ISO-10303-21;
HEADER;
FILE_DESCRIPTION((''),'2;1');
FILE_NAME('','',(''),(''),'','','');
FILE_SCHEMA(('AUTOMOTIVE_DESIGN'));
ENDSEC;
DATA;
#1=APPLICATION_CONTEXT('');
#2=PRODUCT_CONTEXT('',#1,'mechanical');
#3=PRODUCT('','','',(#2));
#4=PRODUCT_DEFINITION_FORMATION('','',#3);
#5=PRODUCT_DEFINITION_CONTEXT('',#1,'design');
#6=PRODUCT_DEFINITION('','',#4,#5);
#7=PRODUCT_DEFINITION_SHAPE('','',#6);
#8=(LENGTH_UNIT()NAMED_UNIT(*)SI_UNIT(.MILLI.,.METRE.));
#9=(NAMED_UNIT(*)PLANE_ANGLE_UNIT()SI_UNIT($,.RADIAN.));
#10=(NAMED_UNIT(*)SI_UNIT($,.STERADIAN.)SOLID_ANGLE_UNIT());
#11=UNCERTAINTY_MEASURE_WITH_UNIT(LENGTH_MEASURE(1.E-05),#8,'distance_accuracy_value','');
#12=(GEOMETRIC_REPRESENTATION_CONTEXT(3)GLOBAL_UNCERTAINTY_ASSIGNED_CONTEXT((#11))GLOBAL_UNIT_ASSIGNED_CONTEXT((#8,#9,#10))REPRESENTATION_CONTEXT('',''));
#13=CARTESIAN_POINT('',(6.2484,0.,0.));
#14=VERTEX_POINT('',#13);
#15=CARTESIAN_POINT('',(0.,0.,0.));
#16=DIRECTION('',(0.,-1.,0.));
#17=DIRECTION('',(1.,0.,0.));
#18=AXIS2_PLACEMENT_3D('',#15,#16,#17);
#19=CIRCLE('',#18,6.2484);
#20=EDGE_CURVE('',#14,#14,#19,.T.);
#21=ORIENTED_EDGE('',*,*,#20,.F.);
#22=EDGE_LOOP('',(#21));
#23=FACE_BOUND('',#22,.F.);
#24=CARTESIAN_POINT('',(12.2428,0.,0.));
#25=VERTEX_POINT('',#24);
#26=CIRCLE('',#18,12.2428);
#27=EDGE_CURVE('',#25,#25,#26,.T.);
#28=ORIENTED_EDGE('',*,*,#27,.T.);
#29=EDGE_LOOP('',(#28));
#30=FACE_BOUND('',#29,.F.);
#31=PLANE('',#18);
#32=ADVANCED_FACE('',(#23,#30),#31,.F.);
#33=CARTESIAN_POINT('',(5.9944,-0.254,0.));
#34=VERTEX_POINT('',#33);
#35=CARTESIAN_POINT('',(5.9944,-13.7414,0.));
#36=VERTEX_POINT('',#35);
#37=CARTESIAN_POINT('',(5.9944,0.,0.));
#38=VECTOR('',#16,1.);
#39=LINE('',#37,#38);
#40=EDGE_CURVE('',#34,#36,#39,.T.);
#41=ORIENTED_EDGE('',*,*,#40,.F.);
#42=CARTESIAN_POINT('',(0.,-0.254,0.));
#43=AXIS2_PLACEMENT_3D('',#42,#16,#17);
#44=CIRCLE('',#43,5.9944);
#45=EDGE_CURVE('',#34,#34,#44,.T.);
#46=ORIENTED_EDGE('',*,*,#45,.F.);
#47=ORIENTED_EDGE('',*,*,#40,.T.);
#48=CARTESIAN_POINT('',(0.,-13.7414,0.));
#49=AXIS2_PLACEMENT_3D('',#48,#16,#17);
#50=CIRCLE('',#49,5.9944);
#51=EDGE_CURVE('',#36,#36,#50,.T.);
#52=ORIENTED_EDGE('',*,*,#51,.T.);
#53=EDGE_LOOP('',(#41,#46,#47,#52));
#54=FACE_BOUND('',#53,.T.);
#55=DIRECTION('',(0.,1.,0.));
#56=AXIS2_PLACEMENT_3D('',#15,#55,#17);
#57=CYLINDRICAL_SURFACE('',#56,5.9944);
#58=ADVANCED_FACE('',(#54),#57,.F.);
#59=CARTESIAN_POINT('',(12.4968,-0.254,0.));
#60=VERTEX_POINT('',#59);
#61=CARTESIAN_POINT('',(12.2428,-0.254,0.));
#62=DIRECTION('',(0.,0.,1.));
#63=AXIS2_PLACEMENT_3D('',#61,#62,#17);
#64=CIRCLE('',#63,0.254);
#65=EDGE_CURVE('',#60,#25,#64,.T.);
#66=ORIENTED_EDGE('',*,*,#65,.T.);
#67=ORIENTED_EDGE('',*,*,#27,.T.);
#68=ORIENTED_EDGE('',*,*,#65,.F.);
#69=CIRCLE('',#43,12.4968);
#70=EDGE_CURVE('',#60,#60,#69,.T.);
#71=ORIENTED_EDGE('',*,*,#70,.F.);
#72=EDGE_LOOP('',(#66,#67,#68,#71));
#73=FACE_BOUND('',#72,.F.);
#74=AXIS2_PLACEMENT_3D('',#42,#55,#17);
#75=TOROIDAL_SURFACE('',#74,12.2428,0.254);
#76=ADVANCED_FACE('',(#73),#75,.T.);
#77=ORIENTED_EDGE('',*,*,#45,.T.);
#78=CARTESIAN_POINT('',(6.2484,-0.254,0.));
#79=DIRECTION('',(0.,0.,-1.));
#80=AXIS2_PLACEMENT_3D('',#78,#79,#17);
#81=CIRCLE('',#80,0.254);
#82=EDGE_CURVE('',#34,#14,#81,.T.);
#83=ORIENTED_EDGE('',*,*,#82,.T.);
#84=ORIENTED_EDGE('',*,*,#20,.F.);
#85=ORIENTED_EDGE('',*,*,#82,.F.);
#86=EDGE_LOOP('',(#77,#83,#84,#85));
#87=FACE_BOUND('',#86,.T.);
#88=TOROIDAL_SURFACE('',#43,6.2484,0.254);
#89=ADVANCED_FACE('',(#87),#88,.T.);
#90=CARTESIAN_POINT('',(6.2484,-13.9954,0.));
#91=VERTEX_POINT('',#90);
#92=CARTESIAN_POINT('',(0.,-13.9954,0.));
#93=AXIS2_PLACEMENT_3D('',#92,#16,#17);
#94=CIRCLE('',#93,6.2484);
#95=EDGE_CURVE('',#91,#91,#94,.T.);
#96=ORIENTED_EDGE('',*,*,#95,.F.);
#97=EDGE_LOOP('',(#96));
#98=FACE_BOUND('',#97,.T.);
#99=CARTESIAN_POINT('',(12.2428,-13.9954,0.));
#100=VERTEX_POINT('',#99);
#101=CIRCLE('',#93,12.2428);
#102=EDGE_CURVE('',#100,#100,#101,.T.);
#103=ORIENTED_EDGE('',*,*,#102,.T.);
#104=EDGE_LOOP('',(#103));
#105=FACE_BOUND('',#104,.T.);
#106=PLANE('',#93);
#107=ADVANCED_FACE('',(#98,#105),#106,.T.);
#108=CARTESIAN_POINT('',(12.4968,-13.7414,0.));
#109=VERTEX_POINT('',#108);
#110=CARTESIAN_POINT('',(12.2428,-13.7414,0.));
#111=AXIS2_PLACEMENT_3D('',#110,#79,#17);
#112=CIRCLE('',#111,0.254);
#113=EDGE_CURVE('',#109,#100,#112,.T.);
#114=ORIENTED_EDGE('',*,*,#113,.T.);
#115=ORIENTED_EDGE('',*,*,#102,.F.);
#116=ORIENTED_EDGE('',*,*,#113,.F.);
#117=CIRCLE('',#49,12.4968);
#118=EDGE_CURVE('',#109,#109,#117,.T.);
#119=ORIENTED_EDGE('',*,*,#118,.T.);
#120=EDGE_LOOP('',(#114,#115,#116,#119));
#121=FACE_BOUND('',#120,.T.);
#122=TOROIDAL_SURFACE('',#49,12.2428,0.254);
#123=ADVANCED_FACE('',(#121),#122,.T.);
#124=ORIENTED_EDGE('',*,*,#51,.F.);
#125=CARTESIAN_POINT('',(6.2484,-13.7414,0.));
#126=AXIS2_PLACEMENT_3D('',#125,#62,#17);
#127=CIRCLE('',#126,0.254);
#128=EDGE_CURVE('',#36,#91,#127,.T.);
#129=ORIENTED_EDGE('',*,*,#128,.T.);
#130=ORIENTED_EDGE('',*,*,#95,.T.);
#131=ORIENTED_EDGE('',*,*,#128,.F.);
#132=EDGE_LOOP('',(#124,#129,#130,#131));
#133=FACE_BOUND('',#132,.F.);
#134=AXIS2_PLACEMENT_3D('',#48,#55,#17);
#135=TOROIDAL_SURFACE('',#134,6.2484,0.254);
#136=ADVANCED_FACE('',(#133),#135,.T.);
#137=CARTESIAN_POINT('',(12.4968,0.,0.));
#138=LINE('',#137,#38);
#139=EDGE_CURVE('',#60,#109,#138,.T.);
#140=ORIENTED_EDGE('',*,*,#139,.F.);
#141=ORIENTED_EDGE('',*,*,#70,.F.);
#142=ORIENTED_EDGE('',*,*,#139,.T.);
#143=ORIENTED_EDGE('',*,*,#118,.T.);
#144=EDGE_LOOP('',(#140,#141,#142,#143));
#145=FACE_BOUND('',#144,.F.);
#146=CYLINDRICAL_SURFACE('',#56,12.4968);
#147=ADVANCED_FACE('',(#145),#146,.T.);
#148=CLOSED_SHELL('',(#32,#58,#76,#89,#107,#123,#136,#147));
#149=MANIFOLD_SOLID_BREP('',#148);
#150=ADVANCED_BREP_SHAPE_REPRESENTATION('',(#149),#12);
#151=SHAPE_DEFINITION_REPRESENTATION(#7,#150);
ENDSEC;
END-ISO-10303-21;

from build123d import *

# Parameters (mm, degrees)
F0_R     = 12.4968
F0_R_2   = 5.9944
F1_DEPTH = 13.9954
F2_R     = 0.254


with BuildPart() as f1:
    # F0 (on Front) → F1 (new body)
    with BuildSketch(Plane.XZ):
        Circle(F0_R)
        Circle(F0_R_2, mode=Mode.SUBTRACT)
    extrude(amount=F1_DEPTH)

    # F2
    f2_edges = [f1.edges().sort_by_distance(p)[0] for p in [
        (-12.4968, -13.9954, 0),
        (-5.9944, -13.9954, 0),
        (5.9944, -6.9977, 0),
        (-5.9944, 0, 0),
        (-12.4968, 0, 0),
    ]]
    fillet(f2_edges, radius=F2_R)


solid = f1.part
